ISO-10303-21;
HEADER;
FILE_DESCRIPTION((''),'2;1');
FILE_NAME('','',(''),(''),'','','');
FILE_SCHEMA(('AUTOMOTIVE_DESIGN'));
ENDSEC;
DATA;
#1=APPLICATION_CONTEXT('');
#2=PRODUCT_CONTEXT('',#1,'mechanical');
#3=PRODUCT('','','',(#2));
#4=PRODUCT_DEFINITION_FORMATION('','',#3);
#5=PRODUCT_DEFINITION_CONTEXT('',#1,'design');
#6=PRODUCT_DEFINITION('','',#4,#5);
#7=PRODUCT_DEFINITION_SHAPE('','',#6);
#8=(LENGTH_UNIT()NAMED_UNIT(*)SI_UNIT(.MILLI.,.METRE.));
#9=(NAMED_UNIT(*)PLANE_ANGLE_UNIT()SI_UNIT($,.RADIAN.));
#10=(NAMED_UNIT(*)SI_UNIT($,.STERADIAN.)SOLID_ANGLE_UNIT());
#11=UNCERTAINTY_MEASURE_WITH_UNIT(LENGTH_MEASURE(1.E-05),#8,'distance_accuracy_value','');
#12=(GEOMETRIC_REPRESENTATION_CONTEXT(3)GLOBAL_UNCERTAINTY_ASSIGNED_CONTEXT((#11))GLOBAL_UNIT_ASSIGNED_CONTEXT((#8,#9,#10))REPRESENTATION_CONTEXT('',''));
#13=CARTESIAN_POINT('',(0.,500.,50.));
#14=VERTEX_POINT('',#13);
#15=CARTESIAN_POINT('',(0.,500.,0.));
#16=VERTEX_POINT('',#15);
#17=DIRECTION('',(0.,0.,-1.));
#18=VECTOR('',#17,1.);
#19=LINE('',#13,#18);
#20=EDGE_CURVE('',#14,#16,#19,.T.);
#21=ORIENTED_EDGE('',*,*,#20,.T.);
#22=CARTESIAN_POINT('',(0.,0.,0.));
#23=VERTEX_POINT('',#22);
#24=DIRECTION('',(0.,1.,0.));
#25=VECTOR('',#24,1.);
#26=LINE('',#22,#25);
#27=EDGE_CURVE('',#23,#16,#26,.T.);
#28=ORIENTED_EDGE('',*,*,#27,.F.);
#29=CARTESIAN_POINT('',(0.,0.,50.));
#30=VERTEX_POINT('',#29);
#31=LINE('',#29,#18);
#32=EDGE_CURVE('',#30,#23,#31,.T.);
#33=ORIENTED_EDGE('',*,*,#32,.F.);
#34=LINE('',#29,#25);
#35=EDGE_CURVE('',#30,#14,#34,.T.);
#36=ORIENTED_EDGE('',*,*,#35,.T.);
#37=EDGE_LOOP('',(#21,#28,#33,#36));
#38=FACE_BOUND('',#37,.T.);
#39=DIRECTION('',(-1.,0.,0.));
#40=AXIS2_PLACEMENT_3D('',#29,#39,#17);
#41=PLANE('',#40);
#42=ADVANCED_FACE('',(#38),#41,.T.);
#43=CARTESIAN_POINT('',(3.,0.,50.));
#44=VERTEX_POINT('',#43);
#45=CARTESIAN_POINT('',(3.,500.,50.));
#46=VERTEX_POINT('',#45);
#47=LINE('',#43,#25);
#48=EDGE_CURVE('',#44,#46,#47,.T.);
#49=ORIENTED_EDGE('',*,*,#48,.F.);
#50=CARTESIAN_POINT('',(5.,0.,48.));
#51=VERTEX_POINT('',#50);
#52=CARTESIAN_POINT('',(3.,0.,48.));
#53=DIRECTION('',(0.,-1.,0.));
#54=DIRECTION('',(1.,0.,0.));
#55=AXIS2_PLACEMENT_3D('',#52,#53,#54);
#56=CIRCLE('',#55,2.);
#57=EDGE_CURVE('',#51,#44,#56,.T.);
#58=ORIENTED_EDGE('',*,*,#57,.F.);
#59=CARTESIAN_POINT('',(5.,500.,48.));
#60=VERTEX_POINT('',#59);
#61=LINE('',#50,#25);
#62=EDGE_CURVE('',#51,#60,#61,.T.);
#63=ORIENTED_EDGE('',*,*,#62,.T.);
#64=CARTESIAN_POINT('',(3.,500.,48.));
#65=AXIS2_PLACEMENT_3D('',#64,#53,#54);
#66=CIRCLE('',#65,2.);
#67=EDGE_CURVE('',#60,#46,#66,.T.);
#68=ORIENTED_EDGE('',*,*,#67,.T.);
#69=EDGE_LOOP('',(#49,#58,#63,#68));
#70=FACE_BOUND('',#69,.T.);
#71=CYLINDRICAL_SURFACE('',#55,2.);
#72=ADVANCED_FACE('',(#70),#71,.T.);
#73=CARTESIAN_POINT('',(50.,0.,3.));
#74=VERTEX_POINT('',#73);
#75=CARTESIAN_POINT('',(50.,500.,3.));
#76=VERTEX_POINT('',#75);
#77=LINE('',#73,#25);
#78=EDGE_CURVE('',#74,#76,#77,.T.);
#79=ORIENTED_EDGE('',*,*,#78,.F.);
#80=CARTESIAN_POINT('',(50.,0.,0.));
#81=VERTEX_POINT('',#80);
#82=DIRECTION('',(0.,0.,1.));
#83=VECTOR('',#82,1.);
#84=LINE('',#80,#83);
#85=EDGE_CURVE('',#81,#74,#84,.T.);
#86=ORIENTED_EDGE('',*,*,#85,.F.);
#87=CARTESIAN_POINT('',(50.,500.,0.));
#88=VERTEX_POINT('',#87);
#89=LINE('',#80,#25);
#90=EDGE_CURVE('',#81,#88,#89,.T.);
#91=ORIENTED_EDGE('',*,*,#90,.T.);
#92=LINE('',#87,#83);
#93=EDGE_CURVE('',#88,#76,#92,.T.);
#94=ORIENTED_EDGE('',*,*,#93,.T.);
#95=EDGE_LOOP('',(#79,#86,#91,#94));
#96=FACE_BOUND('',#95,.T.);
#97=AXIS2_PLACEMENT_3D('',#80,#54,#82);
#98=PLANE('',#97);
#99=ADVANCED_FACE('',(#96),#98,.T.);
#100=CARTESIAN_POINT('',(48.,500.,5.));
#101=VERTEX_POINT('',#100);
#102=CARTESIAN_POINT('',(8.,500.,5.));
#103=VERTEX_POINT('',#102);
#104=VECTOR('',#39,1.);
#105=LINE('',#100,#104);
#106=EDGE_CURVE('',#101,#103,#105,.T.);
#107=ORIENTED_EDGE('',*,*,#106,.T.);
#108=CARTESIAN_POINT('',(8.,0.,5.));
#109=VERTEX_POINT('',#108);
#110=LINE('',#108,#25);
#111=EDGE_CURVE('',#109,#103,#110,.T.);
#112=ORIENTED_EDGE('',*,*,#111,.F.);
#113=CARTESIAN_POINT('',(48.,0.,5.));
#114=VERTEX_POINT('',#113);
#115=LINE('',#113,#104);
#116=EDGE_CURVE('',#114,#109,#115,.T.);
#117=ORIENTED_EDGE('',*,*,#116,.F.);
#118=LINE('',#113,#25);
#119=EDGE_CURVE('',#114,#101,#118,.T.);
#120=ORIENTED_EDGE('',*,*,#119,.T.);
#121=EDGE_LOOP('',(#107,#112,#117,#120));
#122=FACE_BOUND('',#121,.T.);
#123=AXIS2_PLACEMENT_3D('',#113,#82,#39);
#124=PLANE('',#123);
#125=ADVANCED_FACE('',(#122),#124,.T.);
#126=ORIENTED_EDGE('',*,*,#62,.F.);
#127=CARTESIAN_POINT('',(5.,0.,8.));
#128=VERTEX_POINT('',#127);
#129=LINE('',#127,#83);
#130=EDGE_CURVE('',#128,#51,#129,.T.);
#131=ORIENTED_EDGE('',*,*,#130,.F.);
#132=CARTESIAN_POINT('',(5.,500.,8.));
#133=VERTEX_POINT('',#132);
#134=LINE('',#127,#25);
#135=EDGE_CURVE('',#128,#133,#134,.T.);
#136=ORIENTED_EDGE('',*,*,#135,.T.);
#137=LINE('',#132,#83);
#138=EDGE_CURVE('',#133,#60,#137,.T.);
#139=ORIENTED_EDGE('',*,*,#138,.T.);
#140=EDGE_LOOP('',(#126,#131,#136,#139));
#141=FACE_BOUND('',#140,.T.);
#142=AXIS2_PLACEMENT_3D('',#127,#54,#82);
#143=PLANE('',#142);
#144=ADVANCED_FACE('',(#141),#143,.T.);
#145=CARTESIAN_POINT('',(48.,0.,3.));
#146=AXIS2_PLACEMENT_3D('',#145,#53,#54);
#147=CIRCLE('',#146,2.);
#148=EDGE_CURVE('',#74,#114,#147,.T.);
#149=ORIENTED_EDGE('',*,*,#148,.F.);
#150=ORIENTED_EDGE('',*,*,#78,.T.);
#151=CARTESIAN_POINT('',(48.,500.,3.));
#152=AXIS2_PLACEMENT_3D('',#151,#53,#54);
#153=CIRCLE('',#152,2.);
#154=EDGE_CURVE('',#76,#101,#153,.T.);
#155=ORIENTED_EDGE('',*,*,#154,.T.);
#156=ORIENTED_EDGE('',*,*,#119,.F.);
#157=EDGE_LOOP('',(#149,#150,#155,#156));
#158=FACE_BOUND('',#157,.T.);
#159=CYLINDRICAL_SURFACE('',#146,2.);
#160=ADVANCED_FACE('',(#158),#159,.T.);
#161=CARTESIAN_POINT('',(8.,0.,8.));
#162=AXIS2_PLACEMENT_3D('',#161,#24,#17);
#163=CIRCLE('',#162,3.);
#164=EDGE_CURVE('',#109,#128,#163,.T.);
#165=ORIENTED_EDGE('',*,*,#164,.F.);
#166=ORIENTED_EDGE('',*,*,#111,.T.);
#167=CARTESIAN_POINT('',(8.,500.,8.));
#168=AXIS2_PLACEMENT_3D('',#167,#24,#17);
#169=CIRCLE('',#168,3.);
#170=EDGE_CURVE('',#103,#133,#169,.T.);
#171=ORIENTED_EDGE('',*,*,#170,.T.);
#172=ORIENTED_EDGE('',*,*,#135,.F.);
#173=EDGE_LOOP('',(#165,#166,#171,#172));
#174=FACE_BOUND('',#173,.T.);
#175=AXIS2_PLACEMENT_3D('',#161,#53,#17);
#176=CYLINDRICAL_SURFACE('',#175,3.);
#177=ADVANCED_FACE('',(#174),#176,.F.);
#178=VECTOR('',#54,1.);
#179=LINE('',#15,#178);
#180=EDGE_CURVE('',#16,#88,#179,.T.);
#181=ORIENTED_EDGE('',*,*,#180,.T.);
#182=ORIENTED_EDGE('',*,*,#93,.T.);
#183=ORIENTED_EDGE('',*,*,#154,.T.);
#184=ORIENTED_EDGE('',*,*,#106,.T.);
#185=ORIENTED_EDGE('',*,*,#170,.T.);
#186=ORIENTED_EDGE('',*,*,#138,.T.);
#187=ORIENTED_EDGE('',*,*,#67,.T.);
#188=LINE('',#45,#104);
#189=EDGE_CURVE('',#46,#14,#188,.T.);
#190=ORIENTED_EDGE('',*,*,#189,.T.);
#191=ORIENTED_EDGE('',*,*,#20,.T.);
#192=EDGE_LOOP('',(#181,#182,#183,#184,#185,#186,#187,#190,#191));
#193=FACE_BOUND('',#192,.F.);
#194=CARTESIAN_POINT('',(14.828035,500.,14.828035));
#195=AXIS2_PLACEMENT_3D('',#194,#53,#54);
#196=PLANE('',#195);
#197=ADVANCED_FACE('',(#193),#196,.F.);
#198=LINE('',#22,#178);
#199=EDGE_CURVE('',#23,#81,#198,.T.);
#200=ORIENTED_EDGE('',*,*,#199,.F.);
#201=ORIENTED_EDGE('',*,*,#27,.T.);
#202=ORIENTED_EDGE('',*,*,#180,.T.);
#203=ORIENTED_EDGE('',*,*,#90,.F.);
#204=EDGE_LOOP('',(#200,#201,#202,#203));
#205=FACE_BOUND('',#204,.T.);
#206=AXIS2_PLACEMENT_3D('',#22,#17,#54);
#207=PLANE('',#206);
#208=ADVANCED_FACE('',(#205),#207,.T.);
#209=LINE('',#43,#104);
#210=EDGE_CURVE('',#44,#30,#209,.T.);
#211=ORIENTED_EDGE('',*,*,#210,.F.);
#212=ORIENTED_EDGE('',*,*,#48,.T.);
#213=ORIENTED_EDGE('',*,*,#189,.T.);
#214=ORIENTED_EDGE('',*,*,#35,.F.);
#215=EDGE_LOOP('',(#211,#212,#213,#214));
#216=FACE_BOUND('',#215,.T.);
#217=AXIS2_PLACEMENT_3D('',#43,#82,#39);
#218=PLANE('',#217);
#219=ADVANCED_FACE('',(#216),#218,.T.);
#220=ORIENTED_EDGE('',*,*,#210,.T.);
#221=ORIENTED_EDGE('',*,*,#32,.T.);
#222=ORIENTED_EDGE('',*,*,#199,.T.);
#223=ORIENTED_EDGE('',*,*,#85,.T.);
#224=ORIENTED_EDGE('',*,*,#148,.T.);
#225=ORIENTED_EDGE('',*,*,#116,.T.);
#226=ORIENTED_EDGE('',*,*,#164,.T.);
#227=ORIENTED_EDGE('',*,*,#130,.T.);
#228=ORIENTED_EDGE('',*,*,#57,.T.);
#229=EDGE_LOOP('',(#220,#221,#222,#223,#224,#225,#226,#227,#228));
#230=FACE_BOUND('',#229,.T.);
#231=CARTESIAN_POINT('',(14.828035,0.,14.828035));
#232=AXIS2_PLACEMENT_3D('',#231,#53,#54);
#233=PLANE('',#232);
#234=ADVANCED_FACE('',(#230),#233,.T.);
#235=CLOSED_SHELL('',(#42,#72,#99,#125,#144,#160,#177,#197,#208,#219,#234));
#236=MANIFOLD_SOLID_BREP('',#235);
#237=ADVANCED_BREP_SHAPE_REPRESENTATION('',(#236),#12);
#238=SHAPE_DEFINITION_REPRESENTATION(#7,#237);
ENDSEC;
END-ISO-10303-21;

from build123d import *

# Parameters (mm, degrees)
F2_DEPTH = 500


with BuildPart() as f2:
    # F0 (on Front) → F2 (new body)
    with BuildSketch(Plane.XZ):
        with BuildLine():
            Line((0, 50), (0, 0))
            Line((0, 0), (50, 0))
            Line((50, 0), (50, 3))
            ThreePointArc((50, 3), (49.4142135624, 4.4142135624), (48, 5))
            Line((48, 5), (8, 5))
            ThreePointArc((8, 5), (5.8786796564, 5.8786796564), (5, 8))
            Line((5, 8), (5, 48))
            ThreePointArc((5, 48), (4.4142135624, 49.4142135624), (3, 50))
            Line((3, 50), (0, 50))
        make_face()
    extrude(amount=-F2_DEPTH)


solid = f2.part
